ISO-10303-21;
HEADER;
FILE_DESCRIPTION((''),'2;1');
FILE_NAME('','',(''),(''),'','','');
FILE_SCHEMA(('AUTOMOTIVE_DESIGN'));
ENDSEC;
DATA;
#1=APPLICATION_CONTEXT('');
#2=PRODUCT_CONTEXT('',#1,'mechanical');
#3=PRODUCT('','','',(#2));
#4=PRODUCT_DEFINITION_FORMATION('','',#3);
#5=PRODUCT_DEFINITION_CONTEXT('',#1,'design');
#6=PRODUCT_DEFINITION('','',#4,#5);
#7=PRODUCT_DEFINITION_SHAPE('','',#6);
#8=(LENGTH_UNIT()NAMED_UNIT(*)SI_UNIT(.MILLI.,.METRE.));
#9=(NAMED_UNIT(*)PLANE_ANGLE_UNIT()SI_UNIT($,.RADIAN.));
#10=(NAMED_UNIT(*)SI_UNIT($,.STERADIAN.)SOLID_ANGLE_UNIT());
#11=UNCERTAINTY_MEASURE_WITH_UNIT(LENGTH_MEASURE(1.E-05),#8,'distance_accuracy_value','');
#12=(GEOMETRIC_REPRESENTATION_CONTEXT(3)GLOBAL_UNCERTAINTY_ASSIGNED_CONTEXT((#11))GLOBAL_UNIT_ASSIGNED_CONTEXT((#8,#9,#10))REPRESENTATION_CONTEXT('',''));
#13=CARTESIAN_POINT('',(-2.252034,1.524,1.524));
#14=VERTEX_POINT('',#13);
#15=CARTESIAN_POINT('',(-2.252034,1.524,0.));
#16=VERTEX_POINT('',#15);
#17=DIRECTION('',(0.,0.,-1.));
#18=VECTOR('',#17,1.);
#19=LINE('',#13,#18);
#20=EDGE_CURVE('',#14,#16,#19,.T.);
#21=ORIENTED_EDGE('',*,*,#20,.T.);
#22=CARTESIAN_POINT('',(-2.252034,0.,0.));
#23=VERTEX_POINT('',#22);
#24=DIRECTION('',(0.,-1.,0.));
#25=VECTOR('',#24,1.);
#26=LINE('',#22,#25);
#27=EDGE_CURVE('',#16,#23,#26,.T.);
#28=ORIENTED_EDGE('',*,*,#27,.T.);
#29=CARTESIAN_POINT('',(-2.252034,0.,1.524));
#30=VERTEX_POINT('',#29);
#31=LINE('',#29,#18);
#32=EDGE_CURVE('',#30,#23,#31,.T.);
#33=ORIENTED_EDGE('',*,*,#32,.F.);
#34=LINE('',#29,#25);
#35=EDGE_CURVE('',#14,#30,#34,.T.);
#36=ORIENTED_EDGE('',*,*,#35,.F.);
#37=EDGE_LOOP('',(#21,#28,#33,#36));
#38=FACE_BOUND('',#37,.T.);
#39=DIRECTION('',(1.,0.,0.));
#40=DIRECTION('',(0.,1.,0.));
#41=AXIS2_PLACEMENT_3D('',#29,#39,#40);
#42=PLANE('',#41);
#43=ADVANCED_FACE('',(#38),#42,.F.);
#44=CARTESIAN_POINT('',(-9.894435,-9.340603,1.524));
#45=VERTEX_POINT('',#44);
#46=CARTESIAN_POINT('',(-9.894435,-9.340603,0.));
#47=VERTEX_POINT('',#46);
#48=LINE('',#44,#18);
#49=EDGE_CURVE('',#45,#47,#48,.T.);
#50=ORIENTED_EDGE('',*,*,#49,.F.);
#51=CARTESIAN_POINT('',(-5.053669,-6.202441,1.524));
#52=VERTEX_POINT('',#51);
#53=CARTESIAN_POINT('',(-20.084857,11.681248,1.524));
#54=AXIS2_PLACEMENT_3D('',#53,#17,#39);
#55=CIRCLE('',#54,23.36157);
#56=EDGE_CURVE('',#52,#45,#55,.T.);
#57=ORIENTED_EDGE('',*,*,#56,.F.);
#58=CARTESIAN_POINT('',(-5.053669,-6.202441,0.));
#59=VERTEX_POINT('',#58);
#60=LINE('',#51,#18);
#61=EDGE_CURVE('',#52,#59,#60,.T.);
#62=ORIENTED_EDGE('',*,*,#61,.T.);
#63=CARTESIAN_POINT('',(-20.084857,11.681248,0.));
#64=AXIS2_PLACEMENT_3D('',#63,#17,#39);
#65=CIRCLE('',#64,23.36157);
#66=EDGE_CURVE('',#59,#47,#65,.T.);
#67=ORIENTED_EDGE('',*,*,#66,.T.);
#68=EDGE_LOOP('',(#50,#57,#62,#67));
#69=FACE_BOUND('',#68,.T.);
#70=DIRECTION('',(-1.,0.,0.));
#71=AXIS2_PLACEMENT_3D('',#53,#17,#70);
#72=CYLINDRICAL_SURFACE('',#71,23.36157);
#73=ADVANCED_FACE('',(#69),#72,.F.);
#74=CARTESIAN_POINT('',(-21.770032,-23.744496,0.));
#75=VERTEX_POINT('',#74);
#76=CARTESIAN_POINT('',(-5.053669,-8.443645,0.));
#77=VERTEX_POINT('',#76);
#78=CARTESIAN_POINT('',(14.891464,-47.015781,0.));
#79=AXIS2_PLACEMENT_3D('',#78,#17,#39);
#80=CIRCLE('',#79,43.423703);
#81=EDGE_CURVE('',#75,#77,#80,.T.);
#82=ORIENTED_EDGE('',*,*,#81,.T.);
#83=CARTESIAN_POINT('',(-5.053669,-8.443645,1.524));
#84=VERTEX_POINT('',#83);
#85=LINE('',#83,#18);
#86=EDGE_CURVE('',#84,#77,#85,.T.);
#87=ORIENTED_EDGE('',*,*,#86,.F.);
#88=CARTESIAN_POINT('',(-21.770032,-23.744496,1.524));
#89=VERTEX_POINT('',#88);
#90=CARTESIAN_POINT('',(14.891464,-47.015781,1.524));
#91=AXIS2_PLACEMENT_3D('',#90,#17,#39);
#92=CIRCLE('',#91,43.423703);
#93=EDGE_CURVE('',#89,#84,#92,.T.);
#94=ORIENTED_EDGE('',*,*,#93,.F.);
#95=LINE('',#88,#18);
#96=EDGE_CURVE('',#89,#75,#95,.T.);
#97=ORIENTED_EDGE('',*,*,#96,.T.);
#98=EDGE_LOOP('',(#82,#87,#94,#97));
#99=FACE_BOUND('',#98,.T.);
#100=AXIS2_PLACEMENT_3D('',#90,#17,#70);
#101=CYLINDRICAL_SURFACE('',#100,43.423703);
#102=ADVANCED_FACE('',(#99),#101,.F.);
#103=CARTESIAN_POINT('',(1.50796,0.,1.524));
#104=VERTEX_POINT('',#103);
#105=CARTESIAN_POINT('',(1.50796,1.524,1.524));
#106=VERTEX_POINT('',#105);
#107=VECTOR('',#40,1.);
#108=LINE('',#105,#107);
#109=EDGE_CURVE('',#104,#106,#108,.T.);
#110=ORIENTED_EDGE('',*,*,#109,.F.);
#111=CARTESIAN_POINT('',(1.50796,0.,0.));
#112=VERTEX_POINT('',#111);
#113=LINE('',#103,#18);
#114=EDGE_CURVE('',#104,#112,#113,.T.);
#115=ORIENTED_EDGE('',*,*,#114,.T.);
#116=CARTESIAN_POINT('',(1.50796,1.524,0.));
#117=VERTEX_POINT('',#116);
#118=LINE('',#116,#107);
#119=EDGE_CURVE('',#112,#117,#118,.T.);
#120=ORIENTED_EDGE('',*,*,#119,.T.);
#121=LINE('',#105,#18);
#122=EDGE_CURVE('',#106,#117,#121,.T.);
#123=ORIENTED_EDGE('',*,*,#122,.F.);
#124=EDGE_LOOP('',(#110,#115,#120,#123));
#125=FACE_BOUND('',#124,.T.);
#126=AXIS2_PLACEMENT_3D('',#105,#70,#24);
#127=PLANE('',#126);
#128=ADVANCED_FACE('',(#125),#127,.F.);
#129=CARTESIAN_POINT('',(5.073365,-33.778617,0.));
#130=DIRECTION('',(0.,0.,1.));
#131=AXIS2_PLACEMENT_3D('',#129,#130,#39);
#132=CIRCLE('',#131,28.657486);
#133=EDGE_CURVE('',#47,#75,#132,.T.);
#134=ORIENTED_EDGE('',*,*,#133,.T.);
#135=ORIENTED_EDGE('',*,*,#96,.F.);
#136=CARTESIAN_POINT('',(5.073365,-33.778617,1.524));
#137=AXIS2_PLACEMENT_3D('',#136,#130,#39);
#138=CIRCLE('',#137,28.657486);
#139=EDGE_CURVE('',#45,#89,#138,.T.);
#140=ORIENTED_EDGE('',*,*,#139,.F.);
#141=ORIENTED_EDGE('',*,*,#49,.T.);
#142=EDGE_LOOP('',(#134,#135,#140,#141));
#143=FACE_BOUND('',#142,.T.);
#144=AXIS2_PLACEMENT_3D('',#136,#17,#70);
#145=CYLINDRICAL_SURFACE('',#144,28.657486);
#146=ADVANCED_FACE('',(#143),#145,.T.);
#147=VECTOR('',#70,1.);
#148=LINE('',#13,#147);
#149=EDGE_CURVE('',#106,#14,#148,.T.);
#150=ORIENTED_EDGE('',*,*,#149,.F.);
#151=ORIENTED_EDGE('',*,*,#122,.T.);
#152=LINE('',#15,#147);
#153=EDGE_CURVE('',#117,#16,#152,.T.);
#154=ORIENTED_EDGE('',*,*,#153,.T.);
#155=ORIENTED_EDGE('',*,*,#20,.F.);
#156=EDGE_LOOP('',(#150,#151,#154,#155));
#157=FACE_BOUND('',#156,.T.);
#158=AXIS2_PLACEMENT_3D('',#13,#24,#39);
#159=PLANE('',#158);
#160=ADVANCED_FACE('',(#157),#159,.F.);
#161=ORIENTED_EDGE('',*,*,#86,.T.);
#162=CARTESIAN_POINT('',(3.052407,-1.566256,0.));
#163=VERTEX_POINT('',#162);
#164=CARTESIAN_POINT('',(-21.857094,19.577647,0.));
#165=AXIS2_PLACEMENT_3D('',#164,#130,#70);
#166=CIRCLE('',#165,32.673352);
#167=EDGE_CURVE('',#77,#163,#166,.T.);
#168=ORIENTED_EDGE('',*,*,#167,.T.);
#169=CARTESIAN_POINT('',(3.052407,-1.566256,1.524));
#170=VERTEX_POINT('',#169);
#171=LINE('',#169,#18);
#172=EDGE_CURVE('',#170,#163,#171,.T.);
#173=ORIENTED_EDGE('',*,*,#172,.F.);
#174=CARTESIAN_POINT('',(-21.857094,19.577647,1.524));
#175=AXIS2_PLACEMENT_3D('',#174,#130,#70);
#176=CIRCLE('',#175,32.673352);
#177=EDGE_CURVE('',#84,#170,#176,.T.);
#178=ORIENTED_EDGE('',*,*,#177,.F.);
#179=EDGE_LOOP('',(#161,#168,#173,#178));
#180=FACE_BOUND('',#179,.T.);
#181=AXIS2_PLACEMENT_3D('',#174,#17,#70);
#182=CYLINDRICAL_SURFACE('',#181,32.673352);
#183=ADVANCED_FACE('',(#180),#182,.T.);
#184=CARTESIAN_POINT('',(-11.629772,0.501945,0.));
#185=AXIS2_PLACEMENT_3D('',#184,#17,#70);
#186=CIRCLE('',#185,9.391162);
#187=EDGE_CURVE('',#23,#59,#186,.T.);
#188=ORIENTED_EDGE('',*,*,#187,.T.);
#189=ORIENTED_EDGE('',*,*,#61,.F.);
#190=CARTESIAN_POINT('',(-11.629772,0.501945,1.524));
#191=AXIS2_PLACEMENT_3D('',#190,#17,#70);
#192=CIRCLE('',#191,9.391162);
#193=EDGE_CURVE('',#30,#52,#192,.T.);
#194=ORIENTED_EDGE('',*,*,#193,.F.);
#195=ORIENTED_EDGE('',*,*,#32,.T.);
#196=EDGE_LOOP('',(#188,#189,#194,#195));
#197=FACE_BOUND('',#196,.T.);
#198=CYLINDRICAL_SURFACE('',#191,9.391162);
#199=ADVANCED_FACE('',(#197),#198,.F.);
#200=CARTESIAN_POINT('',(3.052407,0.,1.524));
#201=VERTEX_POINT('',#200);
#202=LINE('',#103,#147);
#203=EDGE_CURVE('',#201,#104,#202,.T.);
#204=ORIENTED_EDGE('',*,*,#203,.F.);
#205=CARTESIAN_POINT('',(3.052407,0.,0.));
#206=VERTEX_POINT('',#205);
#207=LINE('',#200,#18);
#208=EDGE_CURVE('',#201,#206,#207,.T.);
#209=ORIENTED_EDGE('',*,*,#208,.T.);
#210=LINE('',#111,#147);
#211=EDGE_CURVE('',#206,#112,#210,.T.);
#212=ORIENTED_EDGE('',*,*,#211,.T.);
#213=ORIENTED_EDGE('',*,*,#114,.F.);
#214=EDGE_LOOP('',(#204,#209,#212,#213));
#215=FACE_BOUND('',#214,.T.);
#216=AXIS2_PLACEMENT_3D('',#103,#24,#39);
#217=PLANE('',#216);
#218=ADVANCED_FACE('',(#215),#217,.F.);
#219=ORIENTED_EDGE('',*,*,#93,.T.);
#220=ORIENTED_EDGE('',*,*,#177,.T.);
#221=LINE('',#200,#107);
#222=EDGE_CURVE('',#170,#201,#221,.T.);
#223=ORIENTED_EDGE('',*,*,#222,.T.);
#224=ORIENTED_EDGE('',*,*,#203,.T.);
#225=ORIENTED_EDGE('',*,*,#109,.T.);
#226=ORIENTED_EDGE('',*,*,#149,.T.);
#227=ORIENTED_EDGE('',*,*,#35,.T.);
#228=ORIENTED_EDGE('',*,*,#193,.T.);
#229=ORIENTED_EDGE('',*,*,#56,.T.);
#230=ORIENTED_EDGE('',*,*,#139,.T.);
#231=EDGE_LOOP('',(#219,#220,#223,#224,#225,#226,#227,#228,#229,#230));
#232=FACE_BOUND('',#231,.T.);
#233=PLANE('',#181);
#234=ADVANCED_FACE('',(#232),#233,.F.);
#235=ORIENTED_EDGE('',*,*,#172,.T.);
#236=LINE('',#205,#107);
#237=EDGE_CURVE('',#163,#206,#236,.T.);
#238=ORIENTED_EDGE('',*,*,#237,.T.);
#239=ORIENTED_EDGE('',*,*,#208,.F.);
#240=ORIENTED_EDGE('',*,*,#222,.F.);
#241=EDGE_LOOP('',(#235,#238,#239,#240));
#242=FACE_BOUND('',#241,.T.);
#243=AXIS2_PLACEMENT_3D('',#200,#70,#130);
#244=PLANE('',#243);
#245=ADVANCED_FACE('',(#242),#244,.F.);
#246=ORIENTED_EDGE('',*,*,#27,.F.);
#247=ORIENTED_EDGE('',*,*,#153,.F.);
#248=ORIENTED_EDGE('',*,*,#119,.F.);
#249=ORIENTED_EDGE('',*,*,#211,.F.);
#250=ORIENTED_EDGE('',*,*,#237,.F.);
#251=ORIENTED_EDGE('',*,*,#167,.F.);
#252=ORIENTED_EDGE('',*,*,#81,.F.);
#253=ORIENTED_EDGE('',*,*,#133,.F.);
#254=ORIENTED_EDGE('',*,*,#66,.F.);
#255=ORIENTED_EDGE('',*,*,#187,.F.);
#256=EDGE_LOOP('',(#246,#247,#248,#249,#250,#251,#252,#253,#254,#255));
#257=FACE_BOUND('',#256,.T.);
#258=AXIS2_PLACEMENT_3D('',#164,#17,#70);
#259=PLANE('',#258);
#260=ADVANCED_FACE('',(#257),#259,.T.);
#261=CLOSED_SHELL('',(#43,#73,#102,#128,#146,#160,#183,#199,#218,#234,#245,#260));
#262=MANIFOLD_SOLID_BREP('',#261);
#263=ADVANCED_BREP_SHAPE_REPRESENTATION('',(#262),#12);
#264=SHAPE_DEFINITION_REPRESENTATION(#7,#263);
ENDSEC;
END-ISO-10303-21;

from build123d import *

# Parameters (mm, degrees)
BOSS_EXTRUDE1_DEPTH = 1.524


with BuildPart() as part:
    # Sketch1 → Boss-Extrude1 (new body)
    with BuildSketch(Plane.XY):
        with BuildLine():
            Line((1.507959842, 1.524), (1.507959842, 0))
            Line((1.507959842, 0), (3.052407177, 0))
            Line((3.052407177, 0), (3.052407177, -1.566256329))
            ThreePointArc((3.052407177, -1.566256329), (-0.719055485, -5.336831222), (-5.053668942, -8.443644993))
            ThreePointArc((-5.053668942, -8.443644993), (-14.427584678, -14.984368639), (-21.770031842, -23.744496018))
            ThreePointArc((-21.770031842, -23.744496018), (-17.037991297, -15.548436862), (-9.89443504, -9.340603312))
            ThreePointArc((-9.89443504, -9.340603312), (-7.376811542, -7.92151996), (-5.053668942, -6.202440528))
            ThreePointArc((-5.053668942, -6.202440528), (-3.071218913, -3.363942956), (-2.252033724, 0))
            Line((-2.252033724, 0), (-2.252033724, 1.524))
            Line((-2.252033724, 1.524), (1.507959842, 1.524))
        make_face()
    extrude(amount=BOSS_EXTRUDE1_DEPTH)


solid = part.part
